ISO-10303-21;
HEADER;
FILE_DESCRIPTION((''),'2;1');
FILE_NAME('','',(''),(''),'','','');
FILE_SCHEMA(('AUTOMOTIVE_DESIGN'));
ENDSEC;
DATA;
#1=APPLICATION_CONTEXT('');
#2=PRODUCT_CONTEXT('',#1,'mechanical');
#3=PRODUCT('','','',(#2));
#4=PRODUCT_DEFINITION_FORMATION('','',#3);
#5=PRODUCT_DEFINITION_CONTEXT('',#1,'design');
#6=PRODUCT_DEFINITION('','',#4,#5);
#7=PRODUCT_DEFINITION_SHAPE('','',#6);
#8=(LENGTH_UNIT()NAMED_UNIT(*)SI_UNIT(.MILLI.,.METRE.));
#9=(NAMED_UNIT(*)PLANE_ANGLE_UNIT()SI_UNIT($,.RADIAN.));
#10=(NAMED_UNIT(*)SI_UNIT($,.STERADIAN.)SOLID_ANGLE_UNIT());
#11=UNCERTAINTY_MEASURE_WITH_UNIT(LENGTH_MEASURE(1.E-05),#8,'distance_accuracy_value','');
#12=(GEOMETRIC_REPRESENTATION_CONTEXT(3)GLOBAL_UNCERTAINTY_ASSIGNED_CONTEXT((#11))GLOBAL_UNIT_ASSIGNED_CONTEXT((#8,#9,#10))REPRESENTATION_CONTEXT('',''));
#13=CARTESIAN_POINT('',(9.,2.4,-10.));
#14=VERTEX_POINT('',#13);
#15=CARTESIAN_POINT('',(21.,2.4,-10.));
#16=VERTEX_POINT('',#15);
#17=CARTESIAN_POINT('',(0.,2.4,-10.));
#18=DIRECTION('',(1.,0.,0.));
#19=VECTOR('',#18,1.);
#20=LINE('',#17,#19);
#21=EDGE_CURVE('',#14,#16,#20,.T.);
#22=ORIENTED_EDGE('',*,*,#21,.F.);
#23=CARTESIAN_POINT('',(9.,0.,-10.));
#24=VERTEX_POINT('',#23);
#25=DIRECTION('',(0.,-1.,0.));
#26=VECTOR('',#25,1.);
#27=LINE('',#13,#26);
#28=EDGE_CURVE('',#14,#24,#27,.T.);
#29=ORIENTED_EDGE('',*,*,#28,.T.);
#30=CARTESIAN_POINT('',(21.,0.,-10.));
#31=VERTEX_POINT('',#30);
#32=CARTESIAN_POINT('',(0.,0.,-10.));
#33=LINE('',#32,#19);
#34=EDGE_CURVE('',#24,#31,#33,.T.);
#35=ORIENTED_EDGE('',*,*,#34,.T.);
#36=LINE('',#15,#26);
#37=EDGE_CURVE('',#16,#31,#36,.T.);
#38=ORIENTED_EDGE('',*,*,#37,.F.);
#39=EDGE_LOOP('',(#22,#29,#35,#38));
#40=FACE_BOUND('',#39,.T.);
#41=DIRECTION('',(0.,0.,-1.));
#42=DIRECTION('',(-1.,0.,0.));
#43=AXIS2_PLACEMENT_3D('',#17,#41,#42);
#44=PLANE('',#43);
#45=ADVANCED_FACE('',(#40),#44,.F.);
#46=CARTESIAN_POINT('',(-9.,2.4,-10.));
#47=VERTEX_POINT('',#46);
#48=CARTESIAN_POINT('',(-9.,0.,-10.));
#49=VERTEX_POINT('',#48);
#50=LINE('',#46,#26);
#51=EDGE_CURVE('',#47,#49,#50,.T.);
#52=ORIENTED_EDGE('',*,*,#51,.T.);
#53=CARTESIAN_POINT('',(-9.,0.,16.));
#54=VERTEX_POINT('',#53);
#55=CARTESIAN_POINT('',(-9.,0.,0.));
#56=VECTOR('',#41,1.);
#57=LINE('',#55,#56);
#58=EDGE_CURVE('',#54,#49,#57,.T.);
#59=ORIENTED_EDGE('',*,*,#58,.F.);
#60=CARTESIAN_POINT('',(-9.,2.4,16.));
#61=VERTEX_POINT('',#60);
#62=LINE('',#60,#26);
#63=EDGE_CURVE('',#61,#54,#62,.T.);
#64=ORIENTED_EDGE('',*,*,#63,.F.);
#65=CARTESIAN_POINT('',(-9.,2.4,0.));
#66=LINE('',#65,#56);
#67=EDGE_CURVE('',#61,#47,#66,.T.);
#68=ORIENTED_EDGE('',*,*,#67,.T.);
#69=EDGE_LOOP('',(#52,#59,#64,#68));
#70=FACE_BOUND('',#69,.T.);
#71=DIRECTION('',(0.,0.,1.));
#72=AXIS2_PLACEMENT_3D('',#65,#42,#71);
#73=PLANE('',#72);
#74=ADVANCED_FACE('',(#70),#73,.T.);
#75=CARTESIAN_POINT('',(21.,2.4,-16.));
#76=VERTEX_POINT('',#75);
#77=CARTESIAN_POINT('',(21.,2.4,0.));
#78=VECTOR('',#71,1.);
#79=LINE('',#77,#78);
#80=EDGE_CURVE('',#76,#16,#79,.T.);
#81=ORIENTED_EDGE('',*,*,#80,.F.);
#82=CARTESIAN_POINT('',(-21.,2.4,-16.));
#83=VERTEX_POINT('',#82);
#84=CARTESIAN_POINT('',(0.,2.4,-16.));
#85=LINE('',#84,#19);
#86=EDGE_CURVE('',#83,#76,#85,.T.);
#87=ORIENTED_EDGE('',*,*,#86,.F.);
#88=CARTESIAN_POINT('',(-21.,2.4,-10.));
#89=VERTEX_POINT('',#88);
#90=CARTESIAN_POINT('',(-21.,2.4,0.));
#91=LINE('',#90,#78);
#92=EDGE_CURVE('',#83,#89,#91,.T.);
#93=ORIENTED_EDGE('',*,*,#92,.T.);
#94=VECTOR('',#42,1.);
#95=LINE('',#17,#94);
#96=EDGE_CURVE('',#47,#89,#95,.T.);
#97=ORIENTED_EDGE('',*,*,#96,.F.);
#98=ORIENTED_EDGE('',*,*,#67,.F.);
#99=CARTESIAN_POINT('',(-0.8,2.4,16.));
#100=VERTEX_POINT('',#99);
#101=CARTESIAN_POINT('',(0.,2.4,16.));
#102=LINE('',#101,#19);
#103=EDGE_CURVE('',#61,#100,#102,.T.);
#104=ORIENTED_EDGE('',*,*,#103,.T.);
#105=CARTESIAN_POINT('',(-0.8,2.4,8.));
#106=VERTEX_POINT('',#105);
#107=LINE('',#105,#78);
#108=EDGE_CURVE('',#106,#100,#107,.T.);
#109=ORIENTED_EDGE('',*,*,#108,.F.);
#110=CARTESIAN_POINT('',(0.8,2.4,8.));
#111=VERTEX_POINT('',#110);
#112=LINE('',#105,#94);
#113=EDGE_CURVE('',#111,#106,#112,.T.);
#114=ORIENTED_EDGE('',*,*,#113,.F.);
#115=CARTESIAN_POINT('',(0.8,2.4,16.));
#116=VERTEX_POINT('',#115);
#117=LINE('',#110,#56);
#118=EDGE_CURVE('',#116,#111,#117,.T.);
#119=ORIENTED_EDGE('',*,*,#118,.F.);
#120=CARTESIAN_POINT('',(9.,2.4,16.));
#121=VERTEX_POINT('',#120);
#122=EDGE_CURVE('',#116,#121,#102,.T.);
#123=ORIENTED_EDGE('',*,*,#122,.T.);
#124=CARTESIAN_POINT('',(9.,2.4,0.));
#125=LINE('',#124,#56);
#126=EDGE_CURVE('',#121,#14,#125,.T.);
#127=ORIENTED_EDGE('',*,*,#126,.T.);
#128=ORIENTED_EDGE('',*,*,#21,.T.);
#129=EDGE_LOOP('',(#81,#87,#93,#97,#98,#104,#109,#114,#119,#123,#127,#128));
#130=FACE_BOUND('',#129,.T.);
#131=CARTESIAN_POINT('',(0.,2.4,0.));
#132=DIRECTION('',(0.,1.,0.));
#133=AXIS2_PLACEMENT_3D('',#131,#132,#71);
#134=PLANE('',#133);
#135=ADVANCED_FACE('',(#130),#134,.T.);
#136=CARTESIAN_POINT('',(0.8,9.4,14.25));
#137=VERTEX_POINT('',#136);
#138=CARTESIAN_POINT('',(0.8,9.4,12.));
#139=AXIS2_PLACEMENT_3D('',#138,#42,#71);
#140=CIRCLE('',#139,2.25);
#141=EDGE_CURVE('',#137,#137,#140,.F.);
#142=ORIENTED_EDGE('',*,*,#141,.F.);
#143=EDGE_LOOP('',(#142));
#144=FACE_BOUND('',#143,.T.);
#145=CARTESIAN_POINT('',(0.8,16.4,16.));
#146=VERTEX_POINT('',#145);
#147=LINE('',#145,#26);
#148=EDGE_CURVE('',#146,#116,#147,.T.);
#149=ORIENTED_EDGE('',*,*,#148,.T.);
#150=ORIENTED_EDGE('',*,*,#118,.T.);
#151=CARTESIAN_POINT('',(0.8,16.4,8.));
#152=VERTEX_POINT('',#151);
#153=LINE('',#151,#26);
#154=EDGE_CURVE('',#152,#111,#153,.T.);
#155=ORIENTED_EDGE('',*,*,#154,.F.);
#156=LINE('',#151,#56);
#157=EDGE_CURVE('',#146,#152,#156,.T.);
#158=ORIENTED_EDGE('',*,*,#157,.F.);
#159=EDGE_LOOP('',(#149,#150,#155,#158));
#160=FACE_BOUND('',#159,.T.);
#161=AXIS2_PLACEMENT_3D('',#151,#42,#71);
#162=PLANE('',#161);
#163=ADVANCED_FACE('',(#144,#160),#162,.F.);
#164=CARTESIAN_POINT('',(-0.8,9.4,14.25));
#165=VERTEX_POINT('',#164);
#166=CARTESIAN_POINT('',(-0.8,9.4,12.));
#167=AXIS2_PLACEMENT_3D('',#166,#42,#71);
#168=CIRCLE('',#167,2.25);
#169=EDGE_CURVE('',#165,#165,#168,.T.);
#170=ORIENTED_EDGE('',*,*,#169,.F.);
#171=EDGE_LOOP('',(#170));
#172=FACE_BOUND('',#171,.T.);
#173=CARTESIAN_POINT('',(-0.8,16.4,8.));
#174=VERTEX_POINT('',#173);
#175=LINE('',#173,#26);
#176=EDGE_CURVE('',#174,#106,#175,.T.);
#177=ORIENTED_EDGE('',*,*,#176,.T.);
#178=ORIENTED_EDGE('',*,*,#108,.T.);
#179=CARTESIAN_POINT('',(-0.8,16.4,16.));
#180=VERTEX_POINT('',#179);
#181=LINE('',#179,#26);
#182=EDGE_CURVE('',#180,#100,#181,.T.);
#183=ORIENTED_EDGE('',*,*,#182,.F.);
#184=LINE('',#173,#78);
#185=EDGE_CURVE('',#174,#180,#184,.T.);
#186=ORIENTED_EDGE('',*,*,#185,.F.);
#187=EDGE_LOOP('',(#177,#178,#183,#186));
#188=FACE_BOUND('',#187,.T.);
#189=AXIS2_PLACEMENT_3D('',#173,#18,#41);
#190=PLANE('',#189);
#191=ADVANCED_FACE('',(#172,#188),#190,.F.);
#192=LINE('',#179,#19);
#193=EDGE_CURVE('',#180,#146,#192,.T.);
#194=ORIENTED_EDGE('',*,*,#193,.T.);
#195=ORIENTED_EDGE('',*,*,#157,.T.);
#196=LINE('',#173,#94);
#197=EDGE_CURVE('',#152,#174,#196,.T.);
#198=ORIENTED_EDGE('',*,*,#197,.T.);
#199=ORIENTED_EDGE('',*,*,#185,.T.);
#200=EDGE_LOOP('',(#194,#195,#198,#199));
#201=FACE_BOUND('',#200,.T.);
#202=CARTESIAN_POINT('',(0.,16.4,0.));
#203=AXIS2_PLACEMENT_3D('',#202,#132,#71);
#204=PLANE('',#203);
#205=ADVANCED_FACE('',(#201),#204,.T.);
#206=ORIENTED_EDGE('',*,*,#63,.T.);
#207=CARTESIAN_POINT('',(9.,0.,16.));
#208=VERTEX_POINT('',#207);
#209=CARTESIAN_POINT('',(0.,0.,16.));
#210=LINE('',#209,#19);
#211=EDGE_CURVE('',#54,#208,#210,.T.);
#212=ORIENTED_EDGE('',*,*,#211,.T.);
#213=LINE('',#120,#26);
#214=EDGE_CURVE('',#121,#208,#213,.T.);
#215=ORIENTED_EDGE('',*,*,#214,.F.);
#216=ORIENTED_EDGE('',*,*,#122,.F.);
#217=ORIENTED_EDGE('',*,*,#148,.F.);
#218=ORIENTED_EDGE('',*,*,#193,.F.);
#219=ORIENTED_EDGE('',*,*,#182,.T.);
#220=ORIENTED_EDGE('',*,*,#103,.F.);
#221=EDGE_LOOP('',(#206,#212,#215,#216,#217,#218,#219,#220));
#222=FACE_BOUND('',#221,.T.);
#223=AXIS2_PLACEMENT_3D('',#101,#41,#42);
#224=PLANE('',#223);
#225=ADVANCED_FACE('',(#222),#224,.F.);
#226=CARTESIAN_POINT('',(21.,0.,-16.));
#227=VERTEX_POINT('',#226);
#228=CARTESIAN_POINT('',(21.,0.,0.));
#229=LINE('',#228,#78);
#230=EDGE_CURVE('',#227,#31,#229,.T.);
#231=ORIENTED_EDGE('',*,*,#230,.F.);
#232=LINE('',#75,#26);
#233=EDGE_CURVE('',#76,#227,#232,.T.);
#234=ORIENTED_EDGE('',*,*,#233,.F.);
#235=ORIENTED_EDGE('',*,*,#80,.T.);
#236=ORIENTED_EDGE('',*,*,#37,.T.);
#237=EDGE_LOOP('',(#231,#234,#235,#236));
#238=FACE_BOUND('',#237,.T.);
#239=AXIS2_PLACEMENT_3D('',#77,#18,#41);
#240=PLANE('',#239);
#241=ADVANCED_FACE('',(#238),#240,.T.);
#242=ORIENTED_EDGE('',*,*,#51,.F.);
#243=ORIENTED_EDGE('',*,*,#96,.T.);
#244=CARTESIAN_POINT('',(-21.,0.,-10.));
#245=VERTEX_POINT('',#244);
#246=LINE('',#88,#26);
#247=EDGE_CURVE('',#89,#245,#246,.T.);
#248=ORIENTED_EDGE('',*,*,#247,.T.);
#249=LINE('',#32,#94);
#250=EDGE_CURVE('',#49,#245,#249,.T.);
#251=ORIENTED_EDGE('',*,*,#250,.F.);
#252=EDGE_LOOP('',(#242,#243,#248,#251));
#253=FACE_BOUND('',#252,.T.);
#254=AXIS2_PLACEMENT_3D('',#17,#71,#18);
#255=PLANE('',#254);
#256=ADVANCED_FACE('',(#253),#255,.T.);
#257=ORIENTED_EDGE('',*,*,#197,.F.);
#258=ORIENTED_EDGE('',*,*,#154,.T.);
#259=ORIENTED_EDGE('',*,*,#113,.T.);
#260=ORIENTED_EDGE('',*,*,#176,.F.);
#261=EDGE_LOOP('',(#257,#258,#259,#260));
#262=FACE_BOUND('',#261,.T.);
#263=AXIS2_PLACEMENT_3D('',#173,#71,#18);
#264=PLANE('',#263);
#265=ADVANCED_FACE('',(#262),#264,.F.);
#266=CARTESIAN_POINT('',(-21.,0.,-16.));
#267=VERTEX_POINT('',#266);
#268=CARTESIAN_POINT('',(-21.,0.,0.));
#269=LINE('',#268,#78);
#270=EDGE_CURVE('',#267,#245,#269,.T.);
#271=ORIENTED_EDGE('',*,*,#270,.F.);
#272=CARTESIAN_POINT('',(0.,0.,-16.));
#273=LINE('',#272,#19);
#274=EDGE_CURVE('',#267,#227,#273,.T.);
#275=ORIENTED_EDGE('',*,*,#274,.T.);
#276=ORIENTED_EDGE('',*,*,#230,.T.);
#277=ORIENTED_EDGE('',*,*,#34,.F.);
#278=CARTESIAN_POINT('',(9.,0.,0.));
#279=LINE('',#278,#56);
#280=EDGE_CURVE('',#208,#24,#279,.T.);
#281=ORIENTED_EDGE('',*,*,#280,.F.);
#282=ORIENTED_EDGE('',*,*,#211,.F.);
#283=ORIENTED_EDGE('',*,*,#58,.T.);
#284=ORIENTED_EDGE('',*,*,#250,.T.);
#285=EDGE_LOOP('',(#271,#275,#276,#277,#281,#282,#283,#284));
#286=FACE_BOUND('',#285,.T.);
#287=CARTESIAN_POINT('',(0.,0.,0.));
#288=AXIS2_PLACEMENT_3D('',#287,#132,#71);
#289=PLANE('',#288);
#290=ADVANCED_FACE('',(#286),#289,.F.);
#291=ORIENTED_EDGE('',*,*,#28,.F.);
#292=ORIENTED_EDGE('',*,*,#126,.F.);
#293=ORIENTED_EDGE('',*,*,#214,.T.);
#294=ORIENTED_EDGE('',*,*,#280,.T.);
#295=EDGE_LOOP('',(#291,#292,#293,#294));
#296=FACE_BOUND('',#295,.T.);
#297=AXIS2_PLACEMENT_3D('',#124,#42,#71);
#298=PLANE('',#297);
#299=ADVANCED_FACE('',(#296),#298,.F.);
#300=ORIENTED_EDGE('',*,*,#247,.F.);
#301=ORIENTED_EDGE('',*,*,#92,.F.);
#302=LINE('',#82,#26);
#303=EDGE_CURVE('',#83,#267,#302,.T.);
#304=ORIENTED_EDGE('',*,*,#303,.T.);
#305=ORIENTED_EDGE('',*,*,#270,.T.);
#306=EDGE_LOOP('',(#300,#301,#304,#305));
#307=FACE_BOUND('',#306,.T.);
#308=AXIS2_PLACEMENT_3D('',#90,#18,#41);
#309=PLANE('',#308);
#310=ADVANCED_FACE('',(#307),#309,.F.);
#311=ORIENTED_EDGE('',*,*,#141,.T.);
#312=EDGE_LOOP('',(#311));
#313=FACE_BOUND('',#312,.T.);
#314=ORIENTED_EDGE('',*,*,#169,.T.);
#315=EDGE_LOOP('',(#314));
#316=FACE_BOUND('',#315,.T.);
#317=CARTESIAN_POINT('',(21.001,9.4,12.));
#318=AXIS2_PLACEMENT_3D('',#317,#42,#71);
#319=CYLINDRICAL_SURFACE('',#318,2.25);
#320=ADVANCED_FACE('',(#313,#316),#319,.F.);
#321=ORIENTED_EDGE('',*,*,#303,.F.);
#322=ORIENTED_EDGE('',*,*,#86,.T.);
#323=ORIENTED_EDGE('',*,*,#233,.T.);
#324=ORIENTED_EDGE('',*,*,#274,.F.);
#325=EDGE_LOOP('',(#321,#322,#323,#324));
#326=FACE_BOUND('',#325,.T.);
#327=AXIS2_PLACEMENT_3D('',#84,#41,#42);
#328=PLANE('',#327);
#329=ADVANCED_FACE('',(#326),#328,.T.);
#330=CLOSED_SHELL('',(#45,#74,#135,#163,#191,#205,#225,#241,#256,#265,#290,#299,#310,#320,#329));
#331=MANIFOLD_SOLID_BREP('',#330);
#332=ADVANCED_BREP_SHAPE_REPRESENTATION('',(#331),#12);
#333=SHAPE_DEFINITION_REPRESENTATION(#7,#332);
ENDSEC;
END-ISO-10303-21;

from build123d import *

# Parameters (mm, degrees)
SKETCH1_W           = 18
SKETCH1_H           = 32
SKETCH1_W_2         = 12
SKETCH1_H_2         = 6
BOSS_EXTRUDE1_DEPTH = 2.4
SKETCH4_W           = 1.6
SKETCH4_H           = 8
BOSS_EXTRUDE3_DEPTH = 14
CUT_EXTRUDE2_REACH  = 23.8
SKETCH5_R           = 2.25


with BuildPart() as part:
    # Sketch1 → Boss-Extrude1 (new body)
    with BuildSketch(Plane(origin=(0, 0, 0), x_dir=(1, 0, 0), z_dir=(0, 1, 0))):
        Rectangle(SKETCH1_W, SKETCH1_H)
        with Locations((-15, 13)):
            Rectangle(SKETCH1_W_2, SKETCH1_H_2)
        with Locations((15, 13)):
            Rectangle(SKETCH1_W_2, SKETCH1_H_2)
    extrude(amount=BOSS_EXTRUDE1_DEPTH)

    # Sketch4 → Boss-Extrude3 (add)
    with BuildSketch(Plane(origin=(0, 2.4, 0), x_dir=(1, 0, 0), z_dir=(0, 1, 0))):
        with Locations((0, -12)):
            Rectangle(SKETCH4_W, SKETCH4_H)
    extrude(amount=BOSS_EXTRUDE3_DEPTH)

    # Sketch5 → Cut-Extrude2 (cut, up to next)
    with BuildSketch(Plane.ZY.offset(0.8), mode=Mode.PRIVATE) as cut_extrude2_sk1:
        with Locations((12, 9.4)):
            Circle(SKETCH5_R)
    cut_extrude2_tool1 = extrude(cut_extrude2_sk1.sketch, amount=-CUT_EXTRUDE2_REACH, mode=Mode.PRIVATE) & part.part
    add(cut_extrude2_tool1.solids().sort_by_distance((-0.8, 9.4, 12))[0], mode=Mode.SUBTRACT)


solid = part.part
